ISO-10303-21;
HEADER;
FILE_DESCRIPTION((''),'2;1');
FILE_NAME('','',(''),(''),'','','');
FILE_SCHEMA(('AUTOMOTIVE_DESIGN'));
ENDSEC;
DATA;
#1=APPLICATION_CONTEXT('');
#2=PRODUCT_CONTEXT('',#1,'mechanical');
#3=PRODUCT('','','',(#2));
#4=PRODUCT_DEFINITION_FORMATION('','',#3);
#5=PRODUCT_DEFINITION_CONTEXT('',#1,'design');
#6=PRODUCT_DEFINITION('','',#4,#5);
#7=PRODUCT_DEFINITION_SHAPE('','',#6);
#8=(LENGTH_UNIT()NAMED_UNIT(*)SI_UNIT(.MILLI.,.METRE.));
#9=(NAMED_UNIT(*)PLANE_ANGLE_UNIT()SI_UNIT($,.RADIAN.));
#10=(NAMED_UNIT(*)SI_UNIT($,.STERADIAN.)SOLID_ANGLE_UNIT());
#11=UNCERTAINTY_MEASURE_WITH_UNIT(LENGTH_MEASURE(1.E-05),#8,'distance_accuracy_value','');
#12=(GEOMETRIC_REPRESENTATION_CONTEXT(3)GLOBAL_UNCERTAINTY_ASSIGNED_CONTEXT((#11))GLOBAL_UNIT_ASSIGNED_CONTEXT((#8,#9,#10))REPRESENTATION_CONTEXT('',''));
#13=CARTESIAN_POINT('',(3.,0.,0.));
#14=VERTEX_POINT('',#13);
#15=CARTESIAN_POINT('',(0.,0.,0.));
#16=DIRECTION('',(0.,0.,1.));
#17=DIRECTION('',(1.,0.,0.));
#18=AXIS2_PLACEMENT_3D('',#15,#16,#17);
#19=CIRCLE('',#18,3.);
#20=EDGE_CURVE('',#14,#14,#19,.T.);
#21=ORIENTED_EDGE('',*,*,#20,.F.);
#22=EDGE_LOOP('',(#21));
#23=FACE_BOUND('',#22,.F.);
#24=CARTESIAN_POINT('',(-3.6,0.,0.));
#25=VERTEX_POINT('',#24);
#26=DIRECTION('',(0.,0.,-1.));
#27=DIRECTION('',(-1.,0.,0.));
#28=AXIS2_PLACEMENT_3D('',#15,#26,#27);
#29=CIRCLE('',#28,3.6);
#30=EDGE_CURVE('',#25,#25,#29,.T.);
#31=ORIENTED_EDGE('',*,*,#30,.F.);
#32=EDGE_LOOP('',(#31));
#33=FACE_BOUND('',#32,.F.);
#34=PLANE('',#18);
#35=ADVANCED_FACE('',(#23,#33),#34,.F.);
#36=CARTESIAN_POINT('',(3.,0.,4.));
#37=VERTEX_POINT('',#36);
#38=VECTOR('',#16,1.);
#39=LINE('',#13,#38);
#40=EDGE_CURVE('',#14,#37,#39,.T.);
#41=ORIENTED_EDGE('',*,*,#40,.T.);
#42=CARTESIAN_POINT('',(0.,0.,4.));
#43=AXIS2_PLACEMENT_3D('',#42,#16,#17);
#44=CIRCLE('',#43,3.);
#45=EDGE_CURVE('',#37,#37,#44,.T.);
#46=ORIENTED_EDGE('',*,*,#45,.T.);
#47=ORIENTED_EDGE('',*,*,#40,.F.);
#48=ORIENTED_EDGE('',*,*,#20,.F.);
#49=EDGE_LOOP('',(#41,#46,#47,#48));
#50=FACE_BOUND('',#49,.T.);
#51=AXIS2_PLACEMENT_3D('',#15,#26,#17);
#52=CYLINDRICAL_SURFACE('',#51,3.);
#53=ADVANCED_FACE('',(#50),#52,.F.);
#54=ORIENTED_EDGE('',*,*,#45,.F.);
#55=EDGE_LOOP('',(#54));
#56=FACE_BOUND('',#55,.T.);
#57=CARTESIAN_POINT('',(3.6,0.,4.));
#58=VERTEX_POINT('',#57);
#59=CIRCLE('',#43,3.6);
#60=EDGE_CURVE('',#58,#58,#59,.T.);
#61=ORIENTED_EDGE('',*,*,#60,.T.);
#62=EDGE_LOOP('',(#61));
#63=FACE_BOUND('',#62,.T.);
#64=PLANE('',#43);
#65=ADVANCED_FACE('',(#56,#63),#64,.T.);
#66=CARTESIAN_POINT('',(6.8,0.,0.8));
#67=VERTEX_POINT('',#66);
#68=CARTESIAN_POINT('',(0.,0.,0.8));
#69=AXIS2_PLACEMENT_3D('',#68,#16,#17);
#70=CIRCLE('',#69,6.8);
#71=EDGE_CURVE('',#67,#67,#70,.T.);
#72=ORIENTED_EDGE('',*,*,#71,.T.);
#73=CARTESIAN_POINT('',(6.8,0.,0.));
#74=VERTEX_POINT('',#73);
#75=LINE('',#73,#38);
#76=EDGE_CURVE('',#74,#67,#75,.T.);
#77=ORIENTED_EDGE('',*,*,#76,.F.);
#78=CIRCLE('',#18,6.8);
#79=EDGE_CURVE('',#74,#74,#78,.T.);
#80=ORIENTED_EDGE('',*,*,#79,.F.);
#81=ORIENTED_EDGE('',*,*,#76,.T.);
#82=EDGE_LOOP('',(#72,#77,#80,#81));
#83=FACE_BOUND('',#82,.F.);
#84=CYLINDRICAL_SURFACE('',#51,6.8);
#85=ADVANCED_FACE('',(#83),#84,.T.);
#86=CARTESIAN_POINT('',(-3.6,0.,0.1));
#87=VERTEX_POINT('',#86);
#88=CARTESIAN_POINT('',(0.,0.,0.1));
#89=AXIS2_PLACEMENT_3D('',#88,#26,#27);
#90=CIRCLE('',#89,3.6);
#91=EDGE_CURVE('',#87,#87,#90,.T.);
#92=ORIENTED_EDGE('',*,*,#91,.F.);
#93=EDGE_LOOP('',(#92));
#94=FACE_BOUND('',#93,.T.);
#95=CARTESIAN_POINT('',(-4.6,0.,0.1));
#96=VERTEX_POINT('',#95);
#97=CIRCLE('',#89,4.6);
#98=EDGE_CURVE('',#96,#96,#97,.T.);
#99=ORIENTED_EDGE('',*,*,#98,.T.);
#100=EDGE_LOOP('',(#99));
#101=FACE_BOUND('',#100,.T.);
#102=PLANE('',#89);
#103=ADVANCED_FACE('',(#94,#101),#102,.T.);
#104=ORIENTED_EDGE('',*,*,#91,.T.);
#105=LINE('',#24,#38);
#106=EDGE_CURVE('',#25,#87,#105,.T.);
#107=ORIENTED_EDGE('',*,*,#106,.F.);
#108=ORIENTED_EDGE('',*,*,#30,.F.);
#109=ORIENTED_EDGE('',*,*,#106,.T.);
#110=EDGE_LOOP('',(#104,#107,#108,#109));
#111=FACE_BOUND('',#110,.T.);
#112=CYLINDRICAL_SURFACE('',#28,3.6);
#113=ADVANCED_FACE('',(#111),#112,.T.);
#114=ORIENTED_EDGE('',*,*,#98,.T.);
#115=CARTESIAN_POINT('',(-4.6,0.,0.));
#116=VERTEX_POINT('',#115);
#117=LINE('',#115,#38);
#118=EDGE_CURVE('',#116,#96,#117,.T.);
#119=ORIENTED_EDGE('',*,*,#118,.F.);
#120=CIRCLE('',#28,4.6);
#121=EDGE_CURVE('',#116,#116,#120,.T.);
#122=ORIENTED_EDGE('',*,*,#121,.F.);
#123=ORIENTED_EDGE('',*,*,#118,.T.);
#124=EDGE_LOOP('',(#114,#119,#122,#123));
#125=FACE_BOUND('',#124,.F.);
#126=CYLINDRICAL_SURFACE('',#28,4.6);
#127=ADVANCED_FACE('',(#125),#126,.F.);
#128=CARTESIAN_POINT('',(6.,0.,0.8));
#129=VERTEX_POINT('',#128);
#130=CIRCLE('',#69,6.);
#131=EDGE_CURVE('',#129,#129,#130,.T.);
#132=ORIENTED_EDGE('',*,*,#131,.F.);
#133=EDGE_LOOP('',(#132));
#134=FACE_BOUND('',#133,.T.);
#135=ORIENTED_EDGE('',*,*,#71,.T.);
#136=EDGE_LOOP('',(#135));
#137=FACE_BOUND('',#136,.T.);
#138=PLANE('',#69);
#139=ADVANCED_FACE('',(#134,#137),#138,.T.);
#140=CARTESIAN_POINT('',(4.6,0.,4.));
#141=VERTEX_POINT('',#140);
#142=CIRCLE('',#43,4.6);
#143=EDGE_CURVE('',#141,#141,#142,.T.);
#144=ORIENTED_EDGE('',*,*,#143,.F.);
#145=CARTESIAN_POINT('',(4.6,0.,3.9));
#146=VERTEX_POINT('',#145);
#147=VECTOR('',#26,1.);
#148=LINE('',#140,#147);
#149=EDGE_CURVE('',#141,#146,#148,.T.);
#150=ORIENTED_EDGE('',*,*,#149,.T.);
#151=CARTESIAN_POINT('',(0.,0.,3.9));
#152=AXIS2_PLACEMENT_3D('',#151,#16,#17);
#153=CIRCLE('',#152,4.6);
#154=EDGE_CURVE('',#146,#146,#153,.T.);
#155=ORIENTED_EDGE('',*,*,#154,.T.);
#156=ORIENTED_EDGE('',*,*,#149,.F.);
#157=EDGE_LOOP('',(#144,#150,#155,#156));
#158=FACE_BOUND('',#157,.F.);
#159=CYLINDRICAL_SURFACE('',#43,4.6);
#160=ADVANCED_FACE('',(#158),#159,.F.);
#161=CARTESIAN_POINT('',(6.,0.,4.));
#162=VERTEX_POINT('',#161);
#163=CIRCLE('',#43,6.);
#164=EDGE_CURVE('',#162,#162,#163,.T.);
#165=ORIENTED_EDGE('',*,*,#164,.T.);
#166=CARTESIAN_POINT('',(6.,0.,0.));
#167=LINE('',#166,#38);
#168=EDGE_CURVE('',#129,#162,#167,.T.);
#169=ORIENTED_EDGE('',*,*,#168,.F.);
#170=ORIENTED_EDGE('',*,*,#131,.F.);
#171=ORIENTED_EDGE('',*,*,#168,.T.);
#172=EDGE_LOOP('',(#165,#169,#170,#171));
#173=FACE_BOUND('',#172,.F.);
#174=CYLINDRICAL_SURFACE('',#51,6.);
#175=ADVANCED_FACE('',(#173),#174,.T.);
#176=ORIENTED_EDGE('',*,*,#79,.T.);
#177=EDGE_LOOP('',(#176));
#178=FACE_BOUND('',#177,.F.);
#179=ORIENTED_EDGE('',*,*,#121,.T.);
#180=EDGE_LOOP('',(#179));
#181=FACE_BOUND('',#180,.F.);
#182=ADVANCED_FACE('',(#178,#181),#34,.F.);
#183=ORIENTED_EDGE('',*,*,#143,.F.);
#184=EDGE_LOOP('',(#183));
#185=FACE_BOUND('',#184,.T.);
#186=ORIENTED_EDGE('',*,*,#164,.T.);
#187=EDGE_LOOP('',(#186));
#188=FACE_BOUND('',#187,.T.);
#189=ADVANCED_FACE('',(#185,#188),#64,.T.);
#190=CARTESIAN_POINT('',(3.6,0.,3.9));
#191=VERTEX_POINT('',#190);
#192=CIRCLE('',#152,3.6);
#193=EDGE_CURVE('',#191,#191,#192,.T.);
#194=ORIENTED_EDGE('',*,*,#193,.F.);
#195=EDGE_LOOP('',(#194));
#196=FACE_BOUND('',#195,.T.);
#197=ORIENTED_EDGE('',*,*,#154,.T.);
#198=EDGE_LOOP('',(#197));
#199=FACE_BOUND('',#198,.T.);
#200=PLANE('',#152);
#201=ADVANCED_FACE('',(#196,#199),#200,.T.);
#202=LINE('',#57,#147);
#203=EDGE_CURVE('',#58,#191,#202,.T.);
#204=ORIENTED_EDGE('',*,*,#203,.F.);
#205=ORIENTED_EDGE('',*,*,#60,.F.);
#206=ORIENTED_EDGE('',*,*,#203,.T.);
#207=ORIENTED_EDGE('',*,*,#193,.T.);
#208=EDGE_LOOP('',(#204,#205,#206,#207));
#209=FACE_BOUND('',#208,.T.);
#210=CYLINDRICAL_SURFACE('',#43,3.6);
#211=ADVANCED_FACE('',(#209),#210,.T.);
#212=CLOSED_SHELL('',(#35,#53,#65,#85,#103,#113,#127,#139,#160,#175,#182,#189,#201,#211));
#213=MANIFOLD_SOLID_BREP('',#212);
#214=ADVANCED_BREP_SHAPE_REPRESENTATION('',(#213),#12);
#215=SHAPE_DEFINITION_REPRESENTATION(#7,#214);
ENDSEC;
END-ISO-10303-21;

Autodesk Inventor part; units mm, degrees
ref_plane "YZ Plane" through (0, 0, 0) normal (1, 0, 0) x (0, 1, 0)
ref_plane "XZ Plane" through (0, 0, 0) normal (0, 1, 0) x (-1, 0, 0)
ref_plane "XY Plane" through (0, 0, 0) normal (0, 0, 1) x (1, 0, 0)
sketch "スケッチ1" plane through (0, 0, 0) normal (0, 0, 1) x (1, 0, 0)
  circle A0 centre (0, 0) radius 3
  circle A1 centre (0, 0) radius 6
  circle A2 centre (0, 0) radius 6.8
  dimension "d0" = 6
  dimension "d1" = 12
  dimension "d2" = 0.8
extrude "押し出し1" add sketch "スケッチ1" along normal blind 4 contours A1
extrude "押し出し2" add sketch "スケッチ1" along normal blind 0.8 contours A2
sketch "スケッチ2" plane through (0, 0, 0) normal (0, 0, -1) x (-1, 0, 0)
  circle A0 centre (0, 0) radius 3.6
  circle A1 centre (0, 0) radius 4.6
  dimension "d7" = 7.2
  dimension "d8" = 9.2
extrude "押し出し3" cut sketch "スケッチ2" against normal blind 0.1
sketch "スケッチ3" plane through (0, 0, 4) normal (0, 0, 1) x (1, 0, 0)
  circle A0 centre (0, 0) radius 3.6
  circle A1 centre (0, 0) radius 4.6
  dimension "d11" = 7.2
  dimension "d12" = 9.2
extrude "押し出し4" cut sketch "スケッチ3" against normal blind 0.1
properties part number "ベアリングFd6D12B4" material "鋼、炭素鋼"
